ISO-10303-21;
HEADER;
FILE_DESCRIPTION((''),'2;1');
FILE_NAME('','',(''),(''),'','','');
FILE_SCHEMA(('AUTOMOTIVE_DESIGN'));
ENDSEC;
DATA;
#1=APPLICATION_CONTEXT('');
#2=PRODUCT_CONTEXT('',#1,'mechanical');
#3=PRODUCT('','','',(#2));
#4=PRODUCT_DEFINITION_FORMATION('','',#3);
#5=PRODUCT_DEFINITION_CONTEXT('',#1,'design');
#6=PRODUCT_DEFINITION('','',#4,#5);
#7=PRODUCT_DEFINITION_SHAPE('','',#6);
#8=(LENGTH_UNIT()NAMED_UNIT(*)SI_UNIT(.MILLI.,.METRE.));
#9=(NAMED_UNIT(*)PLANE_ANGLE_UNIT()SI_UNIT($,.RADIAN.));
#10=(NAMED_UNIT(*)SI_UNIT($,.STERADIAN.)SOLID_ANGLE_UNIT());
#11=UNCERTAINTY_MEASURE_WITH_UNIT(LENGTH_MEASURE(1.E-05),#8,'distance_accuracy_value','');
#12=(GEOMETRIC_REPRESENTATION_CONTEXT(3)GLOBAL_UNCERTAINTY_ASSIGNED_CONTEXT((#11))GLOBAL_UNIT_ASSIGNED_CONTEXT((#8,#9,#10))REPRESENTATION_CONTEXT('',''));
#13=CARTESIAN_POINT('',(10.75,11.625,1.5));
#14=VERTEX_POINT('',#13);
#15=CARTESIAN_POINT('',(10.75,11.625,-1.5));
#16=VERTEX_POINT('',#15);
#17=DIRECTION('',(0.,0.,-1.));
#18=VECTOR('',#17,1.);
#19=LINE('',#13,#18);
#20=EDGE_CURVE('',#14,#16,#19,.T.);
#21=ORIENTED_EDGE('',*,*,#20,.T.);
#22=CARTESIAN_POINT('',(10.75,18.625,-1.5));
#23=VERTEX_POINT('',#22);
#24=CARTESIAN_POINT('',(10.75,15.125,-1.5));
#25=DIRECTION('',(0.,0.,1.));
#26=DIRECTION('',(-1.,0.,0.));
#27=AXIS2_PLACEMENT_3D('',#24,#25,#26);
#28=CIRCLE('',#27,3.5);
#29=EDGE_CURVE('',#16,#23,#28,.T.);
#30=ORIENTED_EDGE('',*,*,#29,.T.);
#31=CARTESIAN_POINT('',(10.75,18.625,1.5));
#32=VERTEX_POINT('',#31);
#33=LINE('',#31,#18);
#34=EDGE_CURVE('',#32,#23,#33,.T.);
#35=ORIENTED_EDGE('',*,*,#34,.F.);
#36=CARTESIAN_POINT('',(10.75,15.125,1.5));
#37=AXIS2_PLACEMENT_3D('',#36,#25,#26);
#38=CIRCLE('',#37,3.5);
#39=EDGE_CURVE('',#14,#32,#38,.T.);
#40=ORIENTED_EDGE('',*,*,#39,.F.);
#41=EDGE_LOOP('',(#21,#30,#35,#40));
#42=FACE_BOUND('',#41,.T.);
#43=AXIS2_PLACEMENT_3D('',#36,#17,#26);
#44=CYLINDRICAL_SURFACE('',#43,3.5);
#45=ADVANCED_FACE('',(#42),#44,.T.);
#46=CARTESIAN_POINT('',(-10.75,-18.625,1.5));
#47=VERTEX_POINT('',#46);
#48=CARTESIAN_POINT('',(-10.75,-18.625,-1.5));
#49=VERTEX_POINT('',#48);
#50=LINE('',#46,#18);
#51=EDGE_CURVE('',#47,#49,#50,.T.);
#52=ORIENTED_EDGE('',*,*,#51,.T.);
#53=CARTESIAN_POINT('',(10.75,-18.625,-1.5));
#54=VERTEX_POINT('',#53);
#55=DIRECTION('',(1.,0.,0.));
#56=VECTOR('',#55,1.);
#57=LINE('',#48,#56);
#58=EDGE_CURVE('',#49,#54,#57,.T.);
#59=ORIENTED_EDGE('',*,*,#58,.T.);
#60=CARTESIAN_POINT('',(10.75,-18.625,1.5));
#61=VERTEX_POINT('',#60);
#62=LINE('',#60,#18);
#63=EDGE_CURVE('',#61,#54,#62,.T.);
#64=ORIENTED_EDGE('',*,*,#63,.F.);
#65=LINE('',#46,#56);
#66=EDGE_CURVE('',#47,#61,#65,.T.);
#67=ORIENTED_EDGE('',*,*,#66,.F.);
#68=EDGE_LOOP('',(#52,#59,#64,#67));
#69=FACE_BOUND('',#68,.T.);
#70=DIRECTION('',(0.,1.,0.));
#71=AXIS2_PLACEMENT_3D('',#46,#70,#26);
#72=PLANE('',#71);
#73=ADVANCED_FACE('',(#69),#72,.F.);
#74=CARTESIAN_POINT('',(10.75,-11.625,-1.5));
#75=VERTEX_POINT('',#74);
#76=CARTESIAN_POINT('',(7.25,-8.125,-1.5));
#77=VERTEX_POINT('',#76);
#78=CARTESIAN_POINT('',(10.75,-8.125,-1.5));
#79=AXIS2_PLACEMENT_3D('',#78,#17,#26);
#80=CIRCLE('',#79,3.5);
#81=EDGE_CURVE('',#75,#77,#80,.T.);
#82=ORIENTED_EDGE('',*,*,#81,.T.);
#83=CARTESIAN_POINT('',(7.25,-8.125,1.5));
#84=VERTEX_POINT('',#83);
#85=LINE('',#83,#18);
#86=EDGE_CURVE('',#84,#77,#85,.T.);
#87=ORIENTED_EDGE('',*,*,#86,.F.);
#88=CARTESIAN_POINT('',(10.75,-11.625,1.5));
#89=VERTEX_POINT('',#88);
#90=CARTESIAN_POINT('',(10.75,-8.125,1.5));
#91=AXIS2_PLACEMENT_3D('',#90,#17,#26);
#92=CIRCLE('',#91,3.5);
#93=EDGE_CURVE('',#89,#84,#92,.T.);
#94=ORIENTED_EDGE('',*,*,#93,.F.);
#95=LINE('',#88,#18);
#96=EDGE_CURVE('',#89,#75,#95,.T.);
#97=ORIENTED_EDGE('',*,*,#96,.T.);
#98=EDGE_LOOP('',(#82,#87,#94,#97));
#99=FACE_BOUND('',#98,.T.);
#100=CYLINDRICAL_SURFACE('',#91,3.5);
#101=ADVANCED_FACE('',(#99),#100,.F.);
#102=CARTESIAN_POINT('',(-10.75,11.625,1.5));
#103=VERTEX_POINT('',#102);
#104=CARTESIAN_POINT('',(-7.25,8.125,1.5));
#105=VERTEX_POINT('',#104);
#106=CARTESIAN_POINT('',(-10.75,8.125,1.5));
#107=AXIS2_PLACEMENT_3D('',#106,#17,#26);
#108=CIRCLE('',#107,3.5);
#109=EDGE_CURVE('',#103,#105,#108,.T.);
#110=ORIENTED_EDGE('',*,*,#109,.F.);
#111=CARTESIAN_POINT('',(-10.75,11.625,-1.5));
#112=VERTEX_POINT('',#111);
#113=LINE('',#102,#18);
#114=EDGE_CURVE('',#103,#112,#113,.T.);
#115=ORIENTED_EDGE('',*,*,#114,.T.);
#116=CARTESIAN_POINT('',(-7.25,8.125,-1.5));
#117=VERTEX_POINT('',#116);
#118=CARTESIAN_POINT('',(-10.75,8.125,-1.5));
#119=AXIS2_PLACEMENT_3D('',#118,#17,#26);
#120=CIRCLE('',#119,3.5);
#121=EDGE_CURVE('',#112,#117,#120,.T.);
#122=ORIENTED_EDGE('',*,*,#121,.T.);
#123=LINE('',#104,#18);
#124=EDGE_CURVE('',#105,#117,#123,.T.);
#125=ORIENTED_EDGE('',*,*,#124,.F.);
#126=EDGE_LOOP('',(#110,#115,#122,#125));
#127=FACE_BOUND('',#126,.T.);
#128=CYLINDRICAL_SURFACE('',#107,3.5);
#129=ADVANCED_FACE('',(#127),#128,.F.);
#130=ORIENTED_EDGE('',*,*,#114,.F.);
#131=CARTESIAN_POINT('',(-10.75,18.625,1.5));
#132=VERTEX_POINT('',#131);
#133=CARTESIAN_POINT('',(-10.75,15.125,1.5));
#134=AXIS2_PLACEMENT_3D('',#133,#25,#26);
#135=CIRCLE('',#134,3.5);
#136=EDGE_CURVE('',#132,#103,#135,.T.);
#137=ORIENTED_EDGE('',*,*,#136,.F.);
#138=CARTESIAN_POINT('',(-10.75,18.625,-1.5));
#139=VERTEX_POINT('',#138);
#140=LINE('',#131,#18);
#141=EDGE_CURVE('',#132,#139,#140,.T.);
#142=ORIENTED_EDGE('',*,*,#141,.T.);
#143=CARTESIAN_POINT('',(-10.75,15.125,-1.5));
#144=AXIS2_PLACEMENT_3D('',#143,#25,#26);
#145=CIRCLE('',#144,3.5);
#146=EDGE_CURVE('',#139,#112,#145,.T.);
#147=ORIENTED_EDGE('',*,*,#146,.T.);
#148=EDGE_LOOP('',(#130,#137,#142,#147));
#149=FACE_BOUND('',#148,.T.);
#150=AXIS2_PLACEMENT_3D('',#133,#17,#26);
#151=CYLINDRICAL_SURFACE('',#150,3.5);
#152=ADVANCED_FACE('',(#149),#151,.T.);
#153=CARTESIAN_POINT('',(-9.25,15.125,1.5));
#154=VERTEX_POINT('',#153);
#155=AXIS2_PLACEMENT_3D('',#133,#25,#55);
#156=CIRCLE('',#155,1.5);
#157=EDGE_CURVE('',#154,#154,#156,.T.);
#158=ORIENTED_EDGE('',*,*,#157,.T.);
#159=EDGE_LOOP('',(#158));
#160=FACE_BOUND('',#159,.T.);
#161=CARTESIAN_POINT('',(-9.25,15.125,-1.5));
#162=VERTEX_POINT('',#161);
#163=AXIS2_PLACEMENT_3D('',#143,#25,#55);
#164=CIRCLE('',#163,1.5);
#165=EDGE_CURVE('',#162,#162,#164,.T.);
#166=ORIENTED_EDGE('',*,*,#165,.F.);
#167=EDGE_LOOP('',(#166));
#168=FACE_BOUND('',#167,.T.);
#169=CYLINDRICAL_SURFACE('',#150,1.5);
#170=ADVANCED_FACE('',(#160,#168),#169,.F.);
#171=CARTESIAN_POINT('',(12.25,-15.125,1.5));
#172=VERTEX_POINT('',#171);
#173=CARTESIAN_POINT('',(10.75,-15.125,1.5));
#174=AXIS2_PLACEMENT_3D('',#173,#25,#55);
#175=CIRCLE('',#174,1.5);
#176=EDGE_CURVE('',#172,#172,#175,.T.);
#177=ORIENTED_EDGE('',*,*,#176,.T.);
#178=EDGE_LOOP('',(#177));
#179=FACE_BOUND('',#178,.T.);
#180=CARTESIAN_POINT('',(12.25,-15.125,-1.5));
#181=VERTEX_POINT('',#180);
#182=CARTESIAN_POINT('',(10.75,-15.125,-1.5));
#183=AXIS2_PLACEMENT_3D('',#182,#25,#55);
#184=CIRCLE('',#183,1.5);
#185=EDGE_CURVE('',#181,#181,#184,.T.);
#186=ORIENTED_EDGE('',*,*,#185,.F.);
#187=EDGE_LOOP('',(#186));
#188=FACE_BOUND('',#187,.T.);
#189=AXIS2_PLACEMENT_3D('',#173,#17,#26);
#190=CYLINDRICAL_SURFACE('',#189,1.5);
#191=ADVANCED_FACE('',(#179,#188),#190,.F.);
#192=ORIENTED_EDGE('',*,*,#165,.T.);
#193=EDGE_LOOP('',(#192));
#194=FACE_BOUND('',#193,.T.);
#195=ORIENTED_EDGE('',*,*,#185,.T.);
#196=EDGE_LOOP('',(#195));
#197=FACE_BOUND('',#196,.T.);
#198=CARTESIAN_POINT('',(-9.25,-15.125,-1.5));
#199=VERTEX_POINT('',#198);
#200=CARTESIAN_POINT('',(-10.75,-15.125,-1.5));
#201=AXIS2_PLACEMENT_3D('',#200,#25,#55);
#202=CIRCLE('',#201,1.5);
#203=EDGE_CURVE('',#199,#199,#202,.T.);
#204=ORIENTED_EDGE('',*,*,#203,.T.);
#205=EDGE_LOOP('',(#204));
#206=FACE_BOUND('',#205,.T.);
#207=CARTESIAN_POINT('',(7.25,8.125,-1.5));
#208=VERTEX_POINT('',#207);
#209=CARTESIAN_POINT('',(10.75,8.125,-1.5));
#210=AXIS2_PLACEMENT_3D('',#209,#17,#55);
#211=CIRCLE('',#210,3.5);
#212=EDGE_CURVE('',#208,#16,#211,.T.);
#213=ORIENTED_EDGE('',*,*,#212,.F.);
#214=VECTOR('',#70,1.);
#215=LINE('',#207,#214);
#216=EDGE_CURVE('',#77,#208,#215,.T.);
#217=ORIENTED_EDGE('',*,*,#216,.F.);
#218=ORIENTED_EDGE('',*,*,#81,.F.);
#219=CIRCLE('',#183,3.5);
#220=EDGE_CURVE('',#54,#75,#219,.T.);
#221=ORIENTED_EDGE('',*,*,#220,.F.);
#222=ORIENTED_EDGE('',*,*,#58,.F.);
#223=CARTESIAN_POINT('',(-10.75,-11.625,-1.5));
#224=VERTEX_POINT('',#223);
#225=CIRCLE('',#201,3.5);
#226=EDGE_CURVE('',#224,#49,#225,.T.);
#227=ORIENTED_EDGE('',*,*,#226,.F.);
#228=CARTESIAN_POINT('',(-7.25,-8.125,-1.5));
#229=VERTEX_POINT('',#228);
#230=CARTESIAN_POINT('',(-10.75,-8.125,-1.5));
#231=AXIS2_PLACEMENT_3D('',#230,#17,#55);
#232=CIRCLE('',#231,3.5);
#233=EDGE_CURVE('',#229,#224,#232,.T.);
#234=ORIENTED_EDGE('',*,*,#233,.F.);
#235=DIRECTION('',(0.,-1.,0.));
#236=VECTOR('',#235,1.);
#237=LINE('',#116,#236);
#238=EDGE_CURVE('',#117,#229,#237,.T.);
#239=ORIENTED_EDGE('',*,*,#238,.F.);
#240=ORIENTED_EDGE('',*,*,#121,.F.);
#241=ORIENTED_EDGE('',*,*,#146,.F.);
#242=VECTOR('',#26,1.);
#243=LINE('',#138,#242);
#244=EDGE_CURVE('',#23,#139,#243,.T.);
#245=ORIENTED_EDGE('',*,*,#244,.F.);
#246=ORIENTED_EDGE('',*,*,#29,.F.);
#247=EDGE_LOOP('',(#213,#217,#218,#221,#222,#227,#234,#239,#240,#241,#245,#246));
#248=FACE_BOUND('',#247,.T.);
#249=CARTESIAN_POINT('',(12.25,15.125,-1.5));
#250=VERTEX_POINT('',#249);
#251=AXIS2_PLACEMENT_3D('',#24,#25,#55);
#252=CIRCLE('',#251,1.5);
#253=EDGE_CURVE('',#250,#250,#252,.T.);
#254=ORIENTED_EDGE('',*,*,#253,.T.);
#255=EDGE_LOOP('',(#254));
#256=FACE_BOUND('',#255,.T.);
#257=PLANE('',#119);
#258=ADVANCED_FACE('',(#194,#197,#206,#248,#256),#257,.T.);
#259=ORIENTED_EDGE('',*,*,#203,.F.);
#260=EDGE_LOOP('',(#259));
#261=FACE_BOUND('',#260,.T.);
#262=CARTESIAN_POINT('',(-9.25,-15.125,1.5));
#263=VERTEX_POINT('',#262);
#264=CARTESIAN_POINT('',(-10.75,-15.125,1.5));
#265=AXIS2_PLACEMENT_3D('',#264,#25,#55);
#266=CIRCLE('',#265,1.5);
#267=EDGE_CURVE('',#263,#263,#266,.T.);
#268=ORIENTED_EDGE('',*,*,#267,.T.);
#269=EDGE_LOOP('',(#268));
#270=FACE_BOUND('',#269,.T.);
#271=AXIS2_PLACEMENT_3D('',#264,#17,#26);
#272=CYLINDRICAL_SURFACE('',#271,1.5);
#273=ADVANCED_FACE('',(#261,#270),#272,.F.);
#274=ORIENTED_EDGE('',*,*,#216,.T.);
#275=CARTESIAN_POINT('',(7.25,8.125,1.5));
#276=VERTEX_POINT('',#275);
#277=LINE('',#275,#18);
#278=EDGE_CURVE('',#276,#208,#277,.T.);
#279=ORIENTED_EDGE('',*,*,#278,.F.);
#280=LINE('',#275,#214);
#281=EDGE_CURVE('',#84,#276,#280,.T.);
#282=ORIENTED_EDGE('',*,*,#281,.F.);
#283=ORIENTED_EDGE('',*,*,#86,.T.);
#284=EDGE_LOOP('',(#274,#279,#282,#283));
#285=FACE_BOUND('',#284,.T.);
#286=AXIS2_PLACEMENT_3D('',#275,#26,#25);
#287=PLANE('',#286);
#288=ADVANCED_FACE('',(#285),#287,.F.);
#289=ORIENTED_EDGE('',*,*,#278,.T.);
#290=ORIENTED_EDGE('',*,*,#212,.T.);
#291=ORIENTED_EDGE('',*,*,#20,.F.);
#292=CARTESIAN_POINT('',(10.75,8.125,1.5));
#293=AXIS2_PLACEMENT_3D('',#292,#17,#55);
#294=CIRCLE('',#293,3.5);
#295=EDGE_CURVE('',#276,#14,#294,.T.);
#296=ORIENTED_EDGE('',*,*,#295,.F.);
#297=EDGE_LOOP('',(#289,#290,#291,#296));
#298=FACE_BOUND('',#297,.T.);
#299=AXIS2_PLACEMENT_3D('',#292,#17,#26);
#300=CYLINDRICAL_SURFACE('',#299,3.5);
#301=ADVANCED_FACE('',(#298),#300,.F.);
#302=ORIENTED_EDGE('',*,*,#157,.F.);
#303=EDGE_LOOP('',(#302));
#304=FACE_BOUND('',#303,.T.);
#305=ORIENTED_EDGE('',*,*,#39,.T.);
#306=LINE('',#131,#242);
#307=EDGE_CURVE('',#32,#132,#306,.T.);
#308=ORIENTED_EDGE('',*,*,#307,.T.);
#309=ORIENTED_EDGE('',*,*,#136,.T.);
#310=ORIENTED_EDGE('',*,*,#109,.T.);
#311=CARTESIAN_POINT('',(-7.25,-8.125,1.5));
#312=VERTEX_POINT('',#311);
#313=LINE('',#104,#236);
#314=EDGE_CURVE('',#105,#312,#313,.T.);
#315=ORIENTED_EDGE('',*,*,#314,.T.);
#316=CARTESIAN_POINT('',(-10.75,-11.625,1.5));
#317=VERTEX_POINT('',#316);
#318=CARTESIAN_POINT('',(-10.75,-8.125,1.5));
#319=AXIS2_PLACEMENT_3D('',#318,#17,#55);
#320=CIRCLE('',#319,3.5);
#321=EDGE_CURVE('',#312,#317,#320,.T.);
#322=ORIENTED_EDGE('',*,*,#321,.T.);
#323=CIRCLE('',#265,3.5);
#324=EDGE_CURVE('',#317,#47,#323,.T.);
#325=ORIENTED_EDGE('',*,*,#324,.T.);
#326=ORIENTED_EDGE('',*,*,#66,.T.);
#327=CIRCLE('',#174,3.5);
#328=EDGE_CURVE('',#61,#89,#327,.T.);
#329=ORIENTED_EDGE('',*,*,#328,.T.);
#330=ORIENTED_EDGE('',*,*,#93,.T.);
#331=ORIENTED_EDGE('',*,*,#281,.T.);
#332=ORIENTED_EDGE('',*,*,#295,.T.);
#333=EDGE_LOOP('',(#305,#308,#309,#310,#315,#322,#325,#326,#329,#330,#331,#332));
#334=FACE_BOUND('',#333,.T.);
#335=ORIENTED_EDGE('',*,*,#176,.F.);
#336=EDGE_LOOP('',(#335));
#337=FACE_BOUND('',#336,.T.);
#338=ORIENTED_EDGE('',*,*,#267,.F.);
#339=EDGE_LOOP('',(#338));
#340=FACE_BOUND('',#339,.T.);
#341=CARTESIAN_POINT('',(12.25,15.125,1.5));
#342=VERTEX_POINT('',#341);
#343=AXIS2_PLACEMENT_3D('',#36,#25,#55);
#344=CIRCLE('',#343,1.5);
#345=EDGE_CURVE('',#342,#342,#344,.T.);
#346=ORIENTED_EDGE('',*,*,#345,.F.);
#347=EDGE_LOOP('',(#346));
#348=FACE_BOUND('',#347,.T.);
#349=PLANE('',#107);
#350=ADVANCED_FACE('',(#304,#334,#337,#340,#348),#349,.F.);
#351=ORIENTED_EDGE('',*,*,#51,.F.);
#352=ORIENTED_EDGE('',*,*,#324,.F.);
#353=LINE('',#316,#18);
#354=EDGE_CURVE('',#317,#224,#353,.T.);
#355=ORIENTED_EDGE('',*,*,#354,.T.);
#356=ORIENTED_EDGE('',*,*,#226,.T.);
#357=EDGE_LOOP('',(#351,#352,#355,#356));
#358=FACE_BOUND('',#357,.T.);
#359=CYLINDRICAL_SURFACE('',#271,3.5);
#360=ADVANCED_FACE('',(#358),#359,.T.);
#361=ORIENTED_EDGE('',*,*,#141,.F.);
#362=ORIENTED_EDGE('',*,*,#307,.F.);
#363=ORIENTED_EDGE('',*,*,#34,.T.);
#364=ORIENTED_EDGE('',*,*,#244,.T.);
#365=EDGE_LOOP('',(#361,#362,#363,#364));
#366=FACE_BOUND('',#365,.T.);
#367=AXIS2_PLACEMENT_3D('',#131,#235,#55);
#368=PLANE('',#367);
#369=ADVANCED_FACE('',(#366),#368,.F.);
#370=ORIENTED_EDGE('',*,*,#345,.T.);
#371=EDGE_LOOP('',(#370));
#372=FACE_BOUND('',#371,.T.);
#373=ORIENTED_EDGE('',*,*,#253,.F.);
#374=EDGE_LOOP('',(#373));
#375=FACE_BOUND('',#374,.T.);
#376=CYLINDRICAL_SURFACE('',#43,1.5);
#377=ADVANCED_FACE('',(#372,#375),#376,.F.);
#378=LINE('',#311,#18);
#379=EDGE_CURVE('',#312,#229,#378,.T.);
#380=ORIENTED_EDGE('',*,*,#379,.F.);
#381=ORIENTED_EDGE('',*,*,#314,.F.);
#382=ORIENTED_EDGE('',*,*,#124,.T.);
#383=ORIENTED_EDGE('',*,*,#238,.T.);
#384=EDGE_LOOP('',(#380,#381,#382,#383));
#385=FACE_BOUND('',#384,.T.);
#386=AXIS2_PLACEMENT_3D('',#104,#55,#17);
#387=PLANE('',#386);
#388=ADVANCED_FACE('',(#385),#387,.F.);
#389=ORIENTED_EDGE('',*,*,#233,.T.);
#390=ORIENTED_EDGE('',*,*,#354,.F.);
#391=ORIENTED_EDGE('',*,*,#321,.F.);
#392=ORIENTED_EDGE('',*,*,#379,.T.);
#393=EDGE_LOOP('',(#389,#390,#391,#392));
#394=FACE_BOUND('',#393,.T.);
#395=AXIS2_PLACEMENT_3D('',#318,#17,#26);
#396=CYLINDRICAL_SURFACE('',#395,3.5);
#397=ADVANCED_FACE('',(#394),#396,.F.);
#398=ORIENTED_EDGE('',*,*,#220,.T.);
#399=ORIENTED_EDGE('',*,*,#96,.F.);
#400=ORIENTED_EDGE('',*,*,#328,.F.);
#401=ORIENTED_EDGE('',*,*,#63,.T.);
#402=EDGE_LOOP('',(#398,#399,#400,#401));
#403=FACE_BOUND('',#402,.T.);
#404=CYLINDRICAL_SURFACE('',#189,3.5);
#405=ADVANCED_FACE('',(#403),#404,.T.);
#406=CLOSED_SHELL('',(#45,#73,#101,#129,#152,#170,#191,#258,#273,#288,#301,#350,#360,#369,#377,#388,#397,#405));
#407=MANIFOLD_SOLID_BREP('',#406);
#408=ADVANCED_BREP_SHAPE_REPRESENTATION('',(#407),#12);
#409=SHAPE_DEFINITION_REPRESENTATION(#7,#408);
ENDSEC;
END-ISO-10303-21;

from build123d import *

# Parameters (mm, degrees)
SKETCH1_R           = 1.5
BOSS_EXTRUDE1_DEPTH = 1.5


with BuildPart() as part:
    # Sketch1 → Boss-Extrude1 (new body, symmetric)
    with BuildSketch(Plane.XY):
        with BuildLine():
            Line((-10.75, 18.625), (10.75, 18.625))
            ThreePointArc((10.75, 18.625), (14.25, 15.125), (10.75, 11.625))
            ThreePointArc((10.75, 11.625), (8.275126266, 10.599873734), (7.25, 8.125))
            Line((7.25, 8.125), (7.25, -8.125))
            ThreePointArc((7.25, -8.125), (8.275126266, -10.599873734), (10.75, -11.625))
            ThreePointArc((10.75, -11.625), (14.25, -15.125), (10.75, -18.625))
            Line((10.75, -18.625), (-10.75, -18.625))
            ThreePointArc((-10.75, -18.625), (-14.25, -15.125), (-10.75, -11.625))
            ThreePointArc((-10.75, -11.625), (-8.275126266, -10.599873734), (-7.25, -8.125))
            Line((-7.25, -8.125), (-7.25, 8.125))
            ThreePointArc((-7.25, 8.125), (-8.275126266, 10.599873734), (-10.75, 11.625))
            ThreePointArc((-10.75, 11.625), (-14.25, 15.125), (-10.75, 18.625))
        make_face()
        with Locations((-10.75, 15.125)):
            Circle(SKETCH1_R, mode=Mode.SUBTRACT)
        with Locations((10.75, 15.125)):
            Circle(SKETCH1_R, mode=Mode.SUBTRACT)
        with Locations((10.75, -15.125)):
            Circle(SKETCH1_R, mode=Mode.SUBTRACT)
        with Locations((-10.75, -15.125)):
            Circle(SKETCH1_R, mode=Mode.SUBTRACT)
    extrude(amount=BOSS_EXTRUDE1_DEPTH, both=True)


solid = part.part
